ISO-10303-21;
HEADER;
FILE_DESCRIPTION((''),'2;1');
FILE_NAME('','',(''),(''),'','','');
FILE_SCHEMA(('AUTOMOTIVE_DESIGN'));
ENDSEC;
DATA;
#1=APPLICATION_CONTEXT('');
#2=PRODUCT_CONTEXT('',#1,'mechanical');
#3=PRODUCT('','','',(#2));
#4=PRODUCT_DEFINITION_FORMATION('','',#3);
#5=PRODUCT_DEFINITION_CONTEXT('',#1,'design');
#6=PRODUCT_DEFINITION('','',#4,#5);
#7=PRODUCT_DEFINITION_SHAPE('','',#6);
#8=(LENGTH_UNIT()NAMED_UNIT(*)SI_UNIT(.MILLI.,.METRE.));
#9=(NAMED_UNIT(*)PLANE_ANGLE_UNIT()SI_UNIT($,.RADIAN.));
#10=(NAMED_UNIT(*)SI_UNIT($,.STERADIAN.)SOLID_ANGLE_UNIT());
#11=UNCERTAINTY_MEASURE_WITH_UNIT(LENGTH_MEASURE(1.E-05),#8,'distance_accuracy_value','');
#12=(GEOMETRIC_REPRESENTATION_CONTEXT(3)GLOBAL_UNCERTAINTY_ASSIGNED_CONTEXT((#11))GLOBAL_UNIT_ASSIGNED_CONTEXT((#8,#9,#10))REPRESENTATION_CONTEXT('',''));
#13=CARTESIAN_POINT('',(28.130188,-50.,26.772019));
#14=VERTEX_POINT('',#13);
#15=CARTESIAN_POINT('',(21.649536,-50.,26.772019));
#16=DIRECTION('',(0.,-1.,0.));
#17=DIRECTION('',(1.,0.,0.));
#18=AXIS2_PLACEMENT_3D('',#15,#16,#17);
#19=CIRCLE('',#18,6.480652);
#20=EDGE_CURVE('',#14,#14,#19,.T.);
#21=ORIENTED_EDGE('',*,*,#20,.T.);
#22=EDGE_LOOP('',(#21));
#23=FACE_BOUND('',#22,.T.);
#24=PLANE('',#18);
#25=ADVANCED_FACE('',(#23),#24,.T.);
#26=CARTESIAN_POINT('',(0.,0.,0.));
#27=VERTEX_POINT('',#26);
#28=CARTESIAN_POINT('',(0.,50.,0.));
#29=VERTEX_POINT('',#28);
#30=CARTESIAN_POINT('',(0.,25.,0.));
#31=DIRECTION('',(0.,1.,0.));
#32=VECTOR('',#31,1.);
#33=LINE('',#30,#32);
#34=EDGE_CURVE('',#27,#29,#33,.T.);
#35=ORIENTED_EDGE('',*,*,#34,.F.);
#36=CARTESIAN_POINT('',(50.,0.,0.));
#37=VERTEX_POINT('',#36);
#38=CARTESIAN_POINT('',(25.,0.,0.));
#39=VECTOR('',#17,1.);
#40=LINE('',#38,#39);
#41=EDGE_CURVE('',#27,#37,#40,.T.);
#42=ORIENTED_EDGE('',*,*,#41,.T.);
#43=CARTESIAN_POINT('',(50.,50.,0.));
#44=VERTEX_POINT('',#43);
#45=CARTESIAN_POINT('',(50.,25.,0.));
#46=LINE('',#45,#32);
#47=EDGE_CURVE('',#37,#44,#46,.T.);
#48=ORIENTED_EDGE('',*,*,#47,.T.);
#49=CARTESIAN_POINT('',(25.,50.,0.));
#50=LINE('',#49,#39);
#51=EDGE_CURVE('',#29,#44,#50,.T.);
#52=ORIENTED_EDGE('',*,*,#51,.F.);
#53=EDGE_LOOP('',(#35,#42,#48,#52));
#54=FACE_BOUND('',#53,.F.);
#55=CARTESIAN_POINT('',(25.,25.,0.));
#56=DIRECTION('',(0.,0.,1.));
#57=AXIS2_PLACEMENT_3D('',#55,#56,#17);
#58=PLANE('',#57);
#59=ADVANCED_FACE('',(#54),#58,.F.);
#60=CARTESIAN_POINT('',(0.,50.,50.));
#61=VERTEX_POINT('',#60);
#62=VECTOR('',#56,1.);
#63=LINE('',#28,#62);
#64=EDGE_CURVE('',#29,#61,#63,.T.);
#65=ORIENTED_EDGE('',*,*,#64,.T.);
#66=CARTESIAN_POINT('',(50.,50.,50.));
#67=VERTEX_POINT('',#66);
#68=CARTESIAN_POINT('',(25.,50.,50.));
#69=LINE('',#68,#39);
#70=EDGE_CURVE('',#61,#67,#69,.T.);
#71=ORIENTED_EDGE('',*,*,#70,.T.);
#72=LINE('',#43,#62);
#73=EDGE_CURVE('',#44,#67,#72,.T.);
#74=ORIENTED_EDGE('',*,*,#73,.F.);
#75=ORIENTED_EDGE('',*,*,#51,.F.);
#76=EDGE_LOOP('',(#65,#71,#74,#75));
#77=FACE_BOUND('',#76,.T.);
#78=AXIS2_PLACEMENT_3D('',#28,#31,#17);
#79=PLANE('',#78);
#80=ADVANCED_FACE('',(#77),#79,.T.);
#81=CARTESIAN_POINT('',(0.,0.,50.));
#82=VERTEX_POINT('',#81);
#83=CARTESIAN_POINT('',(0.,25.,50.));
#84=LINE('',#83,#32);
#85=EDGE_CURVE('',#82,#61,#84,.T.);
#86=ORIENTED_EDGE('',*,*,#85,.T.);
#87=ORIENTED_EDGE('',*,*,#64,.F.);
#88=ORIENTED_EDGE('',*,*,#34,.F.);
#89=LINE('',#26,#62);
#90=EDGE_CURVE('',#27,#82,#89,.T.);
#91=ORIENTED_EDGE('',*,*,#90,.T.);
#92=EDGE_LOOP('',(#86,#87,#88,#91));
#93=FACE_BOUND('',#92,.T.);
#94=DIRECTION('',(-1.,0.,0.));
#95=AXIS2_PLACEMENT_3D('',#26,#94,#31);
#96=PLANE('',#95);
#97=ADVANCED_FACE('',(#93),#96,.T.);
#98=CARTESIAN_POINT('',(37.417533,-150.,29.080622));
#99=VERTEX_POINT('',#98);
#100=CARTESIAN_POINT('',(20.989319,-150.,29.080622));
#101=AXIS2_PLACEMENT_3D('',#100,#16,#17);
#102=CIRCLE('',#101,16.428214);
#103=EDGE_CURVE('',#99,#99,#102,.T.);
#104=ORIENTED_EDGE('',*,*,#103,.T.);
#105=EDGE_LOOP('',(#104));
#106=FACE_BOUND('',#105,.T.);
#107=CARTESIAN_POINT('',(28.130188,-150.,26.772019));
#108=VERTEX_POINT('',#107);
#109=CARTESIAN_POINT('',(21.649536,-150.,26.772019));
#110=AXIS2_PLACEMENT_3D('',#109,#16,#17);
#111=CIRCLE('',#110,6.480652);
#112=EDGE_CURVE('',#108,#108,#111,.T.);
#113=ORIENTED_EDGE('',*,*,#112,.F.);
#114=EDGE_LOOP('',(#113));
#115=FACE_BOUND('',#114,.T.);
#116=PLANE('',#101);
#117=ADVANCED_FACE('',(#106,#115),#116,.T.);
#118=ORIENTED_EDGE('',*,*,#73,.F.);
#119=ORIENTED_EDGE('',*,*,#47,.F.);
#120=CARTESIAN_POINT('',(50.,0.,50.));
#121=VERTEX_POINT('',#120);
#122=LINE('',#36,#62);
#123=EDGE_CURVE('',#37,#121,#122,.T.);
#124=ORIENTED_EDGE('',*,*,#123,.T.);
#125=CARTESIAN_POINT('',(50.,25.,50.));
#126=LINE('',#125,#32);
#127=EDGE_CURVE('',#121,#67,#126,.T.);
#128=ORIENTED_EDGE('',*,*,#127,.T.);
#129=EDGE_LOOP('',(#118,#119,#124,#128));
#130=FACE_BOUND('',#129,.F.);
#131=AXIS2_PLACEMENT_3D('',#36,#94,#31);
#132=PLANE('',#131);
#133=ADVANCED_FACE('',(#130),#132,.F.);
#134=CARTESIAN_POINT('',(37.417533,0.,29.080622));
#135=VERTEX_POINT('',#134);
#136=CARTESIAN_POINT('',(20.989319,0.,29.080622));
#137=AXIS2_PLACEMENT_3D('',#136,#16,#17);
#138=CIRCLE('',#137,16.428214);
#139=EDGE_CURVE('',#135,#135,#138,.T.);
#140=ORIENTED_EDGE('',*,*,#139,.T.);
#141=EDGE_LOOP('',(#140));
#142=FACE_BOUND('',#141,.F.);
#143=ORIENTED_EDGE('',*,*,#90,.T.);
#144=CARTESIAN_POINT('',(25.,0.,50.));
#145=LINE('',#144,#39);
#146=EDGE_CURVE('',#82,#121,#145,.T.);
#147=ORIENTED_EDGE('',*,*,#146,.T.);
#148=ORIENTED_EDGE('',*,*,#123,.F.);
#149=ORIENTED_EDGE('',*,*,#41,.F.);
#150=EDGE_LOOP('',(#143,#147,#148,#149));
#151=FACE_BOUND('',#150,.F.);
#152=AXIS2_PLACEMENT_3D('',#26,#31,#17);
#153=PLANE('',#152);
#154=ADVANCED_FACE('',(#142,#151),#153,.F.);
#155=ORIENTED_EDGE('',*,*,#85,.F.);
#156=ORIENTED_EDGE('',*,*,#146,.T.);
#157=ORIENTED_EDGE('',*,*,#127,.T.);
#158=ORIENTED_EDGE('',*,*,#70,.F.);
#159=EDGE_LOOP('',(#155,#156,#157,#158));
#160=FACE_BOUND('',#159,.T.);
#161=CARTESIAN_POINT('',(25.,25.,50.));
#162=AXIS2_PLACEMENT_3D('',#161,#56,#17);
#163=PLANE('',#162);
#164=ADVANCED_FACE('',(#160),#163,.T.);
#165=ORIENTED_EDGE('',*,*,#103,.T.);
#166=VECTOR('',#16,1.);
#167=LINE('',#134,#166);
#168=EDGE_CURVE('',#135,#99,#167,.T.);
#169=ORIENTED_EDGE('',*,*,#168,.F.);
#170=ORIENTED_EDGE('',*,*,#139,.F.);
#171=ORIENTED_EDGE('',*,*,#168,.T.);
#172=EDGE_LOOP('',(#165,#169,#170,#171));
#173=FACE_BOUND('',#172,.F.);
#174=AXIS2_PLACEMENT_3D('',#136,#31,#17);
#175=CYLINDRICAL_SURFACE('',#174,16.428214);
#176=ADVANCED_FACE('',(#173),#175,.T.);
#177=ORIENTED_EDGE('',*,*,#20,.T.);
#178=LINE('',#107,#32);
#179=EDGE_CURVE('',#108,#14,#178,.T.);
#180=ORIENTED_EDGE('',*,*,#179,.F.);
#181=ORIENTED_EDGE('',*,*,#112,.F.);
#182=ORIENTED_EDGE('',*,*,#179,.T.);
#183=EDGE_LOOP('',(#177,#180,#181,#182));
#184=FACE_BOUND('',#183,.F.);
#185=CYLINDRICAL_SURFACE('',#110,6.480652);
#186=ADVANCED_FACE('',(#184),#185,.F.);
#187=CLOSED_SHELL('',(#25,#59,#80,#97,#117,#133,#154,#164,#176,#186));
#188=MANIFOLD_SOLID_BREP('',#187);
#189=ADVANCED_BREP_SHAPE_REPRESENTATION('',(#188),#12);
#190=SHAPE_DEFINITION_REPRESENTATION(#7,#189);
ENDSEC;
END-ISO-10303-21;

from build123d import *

# Parameters (mm, degrees)
F0_W     = 50
F0_H     = 50
F1_DEPTH = 50
F3_R     = 16.4282141223
F4_DEPTH = 150
F5_R     = 6.4806520978
F6_DEPTH = 100


with BuildPart() as f1:
    # F0 (on Top) → F1 (new body)
    with BuildSketch(Plane.XY):
        with Locations((25, 25)):
            Rectangle(F0_W, F0_H)
    extrude(amount=F1_DEPTH)

    # F3 (on face) → F4 (join)
    with BuildSketch(Plane.XZ):
        with Locations((20.9893193096, 29.0806218982)):
            Circle(F3_R)
    extrude(amount=F4_DEPTH)

    # F5 (on face) → F6 (cut)
    with BuildSketch(Plane.XZ.offset(150)):
        with Locations((21.6495357454, 26.772018522)):
            Circle(F5_R)
    extrude(amount=-F6_DEPTH, mode=Mode.SUBTRACT)


solid = f1.part
